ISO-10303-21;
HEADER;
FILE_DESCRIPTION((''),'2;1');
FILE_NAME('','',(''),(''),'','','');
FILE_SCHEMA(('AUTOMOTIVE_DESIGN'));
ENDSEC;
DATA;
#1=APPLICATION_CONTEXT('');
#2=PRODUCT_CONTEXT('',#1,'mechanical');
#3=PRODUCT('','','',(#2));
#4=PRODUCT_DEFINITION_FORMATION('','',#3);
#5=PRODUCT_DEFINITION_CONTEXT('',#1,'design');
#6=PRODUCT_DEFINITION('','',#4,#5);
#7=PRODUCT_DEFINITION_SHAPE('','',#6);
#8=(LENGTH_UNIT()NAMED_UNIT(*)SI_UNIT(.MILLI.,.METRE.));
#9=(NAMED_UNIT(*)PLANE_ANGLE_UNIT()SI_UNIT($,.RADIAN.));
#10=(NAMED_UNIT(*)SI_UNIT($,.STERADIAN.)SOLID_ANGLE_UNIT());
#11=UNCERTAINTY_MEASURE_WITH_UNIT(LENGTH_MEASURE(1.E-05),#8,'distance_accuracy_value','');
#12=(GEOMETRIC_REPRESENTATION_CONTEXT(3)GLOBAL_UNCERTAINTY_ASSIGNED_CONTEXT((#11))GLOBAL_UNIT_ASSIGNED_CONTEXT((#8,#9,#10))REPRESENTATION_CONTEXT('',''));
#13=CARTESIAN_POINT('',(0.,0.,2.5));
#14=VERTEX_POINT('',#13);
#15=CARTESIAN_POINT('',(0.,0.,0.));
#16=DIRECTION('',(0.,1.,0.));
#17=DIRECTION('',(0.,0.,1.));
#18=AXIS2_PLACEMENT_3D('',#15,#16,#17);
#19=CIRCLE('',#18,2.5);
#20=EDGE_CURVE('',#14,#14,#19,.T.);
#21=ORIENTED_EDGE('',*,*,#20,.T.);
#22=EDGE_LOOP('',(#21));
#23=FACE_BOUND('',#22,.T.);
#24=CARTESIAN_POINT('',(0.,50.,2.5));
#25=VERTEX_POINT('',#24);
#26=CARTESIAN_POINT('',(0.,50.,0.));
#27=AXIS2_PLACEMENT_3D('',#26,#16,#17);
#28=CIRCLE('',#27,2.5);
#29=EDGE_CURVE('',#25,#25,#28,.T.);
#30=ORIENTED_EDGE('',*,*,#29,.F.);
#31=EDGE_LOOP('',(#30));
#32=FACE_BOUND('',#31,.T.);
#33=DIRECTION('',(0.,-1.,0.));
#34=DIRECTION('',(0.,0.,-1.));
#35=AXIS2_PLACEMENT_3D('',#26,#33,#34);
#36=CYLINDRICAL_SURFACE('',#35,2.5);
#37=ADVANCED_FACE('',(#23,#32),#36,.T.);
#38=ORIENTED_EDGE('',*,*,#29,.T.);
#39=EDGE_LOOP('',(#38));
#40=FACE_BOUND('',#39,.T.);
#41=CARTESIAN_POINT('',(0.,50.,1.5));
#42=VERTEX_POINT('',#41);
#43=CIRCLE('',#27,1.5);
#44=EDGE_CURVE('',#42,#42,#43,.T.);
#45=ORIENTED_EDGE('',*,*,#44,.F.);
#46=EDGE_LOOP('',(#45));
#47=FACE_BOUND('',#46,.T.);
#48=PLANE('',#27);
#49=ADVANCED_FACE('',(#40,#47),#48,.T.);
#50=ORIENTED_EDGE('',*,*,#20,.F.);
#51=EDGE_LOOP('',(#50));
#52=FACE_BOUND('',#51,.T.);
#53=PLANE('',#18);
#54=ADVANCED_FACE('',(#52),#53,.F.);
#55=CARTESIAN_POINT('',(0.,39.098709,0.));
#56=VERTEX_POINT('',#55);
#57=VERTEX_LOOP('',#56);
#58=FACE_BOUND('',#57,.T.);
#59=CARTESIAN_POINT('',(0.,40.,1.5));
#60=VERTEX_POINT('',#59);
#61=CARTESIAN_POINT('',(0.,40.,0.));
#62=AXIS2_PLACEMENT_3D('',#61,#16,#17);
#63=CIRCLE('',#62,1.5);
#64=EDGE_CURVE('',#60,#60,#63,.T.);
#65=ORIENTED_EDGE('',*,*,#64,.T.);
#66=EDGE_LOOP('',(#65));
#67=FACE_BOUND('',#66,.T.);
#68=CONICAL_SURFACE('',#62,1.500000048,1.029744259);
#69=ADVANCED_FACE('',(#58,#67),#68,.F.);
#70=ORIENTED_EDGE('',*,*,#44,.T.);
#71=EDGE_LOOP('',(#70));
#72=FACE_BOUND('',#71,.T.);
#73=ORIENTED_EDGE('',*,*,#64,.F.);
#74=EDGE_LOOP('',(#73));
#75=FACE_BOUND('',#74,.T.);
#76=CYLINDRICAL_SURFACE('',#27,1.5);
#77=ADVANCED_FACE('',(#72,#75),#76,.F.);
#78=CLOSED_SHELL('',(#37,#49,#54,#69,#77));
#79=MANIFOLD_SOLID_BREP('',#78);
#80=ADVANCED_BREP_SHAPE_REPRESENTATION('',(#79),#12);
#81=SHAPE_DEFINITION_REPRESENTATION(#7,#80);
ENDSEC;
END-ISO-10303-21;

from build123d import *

# Parameters (mm, degrees)
SKETCH1_R                      = 2.5
BOSS_EXTRUDE1_DEPTH            = 50
F_31_0_12_DIAMETER_HOLE2_D     = 3.000000096
F_31_0_12_DIAMETER_HOLE2_DEPTH = 10
F_31_0_12_DIAMETER_HOLE2_TIP   = 0.901290957


with BuildPart() as part:
    # Sketch1 → Boss-Extrude1 (new body)
    with BuildSketch(Plane(origin=(0, 0, 0), x_dir=(1, 0, 0), z_dir=(0, 1, 0))):
        with Locations(Location((0, 0, 0), (0, 0, 270))):
            Circle(SKETCH1_R)
    extrude(amount=BOSS_EXTRUDE1_DEPTH)

    # #31 (0.12) Diameter Hole2
    with Locations(Plane(origin=(0, 50, 0), x_dir=(1, 0, 0), z_dir=(0, 1, 0))):
        with Locations((0, 0)):
            Hole(F_31_0_12_DIAMETER_HOLE2_D / 2, depth=F_31_0_12_DIAMETER_HOLE2_DEPTH)
            with Locations((0, 0, -(F_31_0_12_DIAMETER_HOLE2_DEPTH + F_31_0_12_DIAMETER_HOLE2_TIP / 2))):  # 118° drill point
                Cone(0, F_31_0_12_DIAMETER_HOLE2_D / 2, F_31_0_12_DIAMETER_HOLE2_TIP, mode=Mode.SUBTRACT)


solid = part.part
